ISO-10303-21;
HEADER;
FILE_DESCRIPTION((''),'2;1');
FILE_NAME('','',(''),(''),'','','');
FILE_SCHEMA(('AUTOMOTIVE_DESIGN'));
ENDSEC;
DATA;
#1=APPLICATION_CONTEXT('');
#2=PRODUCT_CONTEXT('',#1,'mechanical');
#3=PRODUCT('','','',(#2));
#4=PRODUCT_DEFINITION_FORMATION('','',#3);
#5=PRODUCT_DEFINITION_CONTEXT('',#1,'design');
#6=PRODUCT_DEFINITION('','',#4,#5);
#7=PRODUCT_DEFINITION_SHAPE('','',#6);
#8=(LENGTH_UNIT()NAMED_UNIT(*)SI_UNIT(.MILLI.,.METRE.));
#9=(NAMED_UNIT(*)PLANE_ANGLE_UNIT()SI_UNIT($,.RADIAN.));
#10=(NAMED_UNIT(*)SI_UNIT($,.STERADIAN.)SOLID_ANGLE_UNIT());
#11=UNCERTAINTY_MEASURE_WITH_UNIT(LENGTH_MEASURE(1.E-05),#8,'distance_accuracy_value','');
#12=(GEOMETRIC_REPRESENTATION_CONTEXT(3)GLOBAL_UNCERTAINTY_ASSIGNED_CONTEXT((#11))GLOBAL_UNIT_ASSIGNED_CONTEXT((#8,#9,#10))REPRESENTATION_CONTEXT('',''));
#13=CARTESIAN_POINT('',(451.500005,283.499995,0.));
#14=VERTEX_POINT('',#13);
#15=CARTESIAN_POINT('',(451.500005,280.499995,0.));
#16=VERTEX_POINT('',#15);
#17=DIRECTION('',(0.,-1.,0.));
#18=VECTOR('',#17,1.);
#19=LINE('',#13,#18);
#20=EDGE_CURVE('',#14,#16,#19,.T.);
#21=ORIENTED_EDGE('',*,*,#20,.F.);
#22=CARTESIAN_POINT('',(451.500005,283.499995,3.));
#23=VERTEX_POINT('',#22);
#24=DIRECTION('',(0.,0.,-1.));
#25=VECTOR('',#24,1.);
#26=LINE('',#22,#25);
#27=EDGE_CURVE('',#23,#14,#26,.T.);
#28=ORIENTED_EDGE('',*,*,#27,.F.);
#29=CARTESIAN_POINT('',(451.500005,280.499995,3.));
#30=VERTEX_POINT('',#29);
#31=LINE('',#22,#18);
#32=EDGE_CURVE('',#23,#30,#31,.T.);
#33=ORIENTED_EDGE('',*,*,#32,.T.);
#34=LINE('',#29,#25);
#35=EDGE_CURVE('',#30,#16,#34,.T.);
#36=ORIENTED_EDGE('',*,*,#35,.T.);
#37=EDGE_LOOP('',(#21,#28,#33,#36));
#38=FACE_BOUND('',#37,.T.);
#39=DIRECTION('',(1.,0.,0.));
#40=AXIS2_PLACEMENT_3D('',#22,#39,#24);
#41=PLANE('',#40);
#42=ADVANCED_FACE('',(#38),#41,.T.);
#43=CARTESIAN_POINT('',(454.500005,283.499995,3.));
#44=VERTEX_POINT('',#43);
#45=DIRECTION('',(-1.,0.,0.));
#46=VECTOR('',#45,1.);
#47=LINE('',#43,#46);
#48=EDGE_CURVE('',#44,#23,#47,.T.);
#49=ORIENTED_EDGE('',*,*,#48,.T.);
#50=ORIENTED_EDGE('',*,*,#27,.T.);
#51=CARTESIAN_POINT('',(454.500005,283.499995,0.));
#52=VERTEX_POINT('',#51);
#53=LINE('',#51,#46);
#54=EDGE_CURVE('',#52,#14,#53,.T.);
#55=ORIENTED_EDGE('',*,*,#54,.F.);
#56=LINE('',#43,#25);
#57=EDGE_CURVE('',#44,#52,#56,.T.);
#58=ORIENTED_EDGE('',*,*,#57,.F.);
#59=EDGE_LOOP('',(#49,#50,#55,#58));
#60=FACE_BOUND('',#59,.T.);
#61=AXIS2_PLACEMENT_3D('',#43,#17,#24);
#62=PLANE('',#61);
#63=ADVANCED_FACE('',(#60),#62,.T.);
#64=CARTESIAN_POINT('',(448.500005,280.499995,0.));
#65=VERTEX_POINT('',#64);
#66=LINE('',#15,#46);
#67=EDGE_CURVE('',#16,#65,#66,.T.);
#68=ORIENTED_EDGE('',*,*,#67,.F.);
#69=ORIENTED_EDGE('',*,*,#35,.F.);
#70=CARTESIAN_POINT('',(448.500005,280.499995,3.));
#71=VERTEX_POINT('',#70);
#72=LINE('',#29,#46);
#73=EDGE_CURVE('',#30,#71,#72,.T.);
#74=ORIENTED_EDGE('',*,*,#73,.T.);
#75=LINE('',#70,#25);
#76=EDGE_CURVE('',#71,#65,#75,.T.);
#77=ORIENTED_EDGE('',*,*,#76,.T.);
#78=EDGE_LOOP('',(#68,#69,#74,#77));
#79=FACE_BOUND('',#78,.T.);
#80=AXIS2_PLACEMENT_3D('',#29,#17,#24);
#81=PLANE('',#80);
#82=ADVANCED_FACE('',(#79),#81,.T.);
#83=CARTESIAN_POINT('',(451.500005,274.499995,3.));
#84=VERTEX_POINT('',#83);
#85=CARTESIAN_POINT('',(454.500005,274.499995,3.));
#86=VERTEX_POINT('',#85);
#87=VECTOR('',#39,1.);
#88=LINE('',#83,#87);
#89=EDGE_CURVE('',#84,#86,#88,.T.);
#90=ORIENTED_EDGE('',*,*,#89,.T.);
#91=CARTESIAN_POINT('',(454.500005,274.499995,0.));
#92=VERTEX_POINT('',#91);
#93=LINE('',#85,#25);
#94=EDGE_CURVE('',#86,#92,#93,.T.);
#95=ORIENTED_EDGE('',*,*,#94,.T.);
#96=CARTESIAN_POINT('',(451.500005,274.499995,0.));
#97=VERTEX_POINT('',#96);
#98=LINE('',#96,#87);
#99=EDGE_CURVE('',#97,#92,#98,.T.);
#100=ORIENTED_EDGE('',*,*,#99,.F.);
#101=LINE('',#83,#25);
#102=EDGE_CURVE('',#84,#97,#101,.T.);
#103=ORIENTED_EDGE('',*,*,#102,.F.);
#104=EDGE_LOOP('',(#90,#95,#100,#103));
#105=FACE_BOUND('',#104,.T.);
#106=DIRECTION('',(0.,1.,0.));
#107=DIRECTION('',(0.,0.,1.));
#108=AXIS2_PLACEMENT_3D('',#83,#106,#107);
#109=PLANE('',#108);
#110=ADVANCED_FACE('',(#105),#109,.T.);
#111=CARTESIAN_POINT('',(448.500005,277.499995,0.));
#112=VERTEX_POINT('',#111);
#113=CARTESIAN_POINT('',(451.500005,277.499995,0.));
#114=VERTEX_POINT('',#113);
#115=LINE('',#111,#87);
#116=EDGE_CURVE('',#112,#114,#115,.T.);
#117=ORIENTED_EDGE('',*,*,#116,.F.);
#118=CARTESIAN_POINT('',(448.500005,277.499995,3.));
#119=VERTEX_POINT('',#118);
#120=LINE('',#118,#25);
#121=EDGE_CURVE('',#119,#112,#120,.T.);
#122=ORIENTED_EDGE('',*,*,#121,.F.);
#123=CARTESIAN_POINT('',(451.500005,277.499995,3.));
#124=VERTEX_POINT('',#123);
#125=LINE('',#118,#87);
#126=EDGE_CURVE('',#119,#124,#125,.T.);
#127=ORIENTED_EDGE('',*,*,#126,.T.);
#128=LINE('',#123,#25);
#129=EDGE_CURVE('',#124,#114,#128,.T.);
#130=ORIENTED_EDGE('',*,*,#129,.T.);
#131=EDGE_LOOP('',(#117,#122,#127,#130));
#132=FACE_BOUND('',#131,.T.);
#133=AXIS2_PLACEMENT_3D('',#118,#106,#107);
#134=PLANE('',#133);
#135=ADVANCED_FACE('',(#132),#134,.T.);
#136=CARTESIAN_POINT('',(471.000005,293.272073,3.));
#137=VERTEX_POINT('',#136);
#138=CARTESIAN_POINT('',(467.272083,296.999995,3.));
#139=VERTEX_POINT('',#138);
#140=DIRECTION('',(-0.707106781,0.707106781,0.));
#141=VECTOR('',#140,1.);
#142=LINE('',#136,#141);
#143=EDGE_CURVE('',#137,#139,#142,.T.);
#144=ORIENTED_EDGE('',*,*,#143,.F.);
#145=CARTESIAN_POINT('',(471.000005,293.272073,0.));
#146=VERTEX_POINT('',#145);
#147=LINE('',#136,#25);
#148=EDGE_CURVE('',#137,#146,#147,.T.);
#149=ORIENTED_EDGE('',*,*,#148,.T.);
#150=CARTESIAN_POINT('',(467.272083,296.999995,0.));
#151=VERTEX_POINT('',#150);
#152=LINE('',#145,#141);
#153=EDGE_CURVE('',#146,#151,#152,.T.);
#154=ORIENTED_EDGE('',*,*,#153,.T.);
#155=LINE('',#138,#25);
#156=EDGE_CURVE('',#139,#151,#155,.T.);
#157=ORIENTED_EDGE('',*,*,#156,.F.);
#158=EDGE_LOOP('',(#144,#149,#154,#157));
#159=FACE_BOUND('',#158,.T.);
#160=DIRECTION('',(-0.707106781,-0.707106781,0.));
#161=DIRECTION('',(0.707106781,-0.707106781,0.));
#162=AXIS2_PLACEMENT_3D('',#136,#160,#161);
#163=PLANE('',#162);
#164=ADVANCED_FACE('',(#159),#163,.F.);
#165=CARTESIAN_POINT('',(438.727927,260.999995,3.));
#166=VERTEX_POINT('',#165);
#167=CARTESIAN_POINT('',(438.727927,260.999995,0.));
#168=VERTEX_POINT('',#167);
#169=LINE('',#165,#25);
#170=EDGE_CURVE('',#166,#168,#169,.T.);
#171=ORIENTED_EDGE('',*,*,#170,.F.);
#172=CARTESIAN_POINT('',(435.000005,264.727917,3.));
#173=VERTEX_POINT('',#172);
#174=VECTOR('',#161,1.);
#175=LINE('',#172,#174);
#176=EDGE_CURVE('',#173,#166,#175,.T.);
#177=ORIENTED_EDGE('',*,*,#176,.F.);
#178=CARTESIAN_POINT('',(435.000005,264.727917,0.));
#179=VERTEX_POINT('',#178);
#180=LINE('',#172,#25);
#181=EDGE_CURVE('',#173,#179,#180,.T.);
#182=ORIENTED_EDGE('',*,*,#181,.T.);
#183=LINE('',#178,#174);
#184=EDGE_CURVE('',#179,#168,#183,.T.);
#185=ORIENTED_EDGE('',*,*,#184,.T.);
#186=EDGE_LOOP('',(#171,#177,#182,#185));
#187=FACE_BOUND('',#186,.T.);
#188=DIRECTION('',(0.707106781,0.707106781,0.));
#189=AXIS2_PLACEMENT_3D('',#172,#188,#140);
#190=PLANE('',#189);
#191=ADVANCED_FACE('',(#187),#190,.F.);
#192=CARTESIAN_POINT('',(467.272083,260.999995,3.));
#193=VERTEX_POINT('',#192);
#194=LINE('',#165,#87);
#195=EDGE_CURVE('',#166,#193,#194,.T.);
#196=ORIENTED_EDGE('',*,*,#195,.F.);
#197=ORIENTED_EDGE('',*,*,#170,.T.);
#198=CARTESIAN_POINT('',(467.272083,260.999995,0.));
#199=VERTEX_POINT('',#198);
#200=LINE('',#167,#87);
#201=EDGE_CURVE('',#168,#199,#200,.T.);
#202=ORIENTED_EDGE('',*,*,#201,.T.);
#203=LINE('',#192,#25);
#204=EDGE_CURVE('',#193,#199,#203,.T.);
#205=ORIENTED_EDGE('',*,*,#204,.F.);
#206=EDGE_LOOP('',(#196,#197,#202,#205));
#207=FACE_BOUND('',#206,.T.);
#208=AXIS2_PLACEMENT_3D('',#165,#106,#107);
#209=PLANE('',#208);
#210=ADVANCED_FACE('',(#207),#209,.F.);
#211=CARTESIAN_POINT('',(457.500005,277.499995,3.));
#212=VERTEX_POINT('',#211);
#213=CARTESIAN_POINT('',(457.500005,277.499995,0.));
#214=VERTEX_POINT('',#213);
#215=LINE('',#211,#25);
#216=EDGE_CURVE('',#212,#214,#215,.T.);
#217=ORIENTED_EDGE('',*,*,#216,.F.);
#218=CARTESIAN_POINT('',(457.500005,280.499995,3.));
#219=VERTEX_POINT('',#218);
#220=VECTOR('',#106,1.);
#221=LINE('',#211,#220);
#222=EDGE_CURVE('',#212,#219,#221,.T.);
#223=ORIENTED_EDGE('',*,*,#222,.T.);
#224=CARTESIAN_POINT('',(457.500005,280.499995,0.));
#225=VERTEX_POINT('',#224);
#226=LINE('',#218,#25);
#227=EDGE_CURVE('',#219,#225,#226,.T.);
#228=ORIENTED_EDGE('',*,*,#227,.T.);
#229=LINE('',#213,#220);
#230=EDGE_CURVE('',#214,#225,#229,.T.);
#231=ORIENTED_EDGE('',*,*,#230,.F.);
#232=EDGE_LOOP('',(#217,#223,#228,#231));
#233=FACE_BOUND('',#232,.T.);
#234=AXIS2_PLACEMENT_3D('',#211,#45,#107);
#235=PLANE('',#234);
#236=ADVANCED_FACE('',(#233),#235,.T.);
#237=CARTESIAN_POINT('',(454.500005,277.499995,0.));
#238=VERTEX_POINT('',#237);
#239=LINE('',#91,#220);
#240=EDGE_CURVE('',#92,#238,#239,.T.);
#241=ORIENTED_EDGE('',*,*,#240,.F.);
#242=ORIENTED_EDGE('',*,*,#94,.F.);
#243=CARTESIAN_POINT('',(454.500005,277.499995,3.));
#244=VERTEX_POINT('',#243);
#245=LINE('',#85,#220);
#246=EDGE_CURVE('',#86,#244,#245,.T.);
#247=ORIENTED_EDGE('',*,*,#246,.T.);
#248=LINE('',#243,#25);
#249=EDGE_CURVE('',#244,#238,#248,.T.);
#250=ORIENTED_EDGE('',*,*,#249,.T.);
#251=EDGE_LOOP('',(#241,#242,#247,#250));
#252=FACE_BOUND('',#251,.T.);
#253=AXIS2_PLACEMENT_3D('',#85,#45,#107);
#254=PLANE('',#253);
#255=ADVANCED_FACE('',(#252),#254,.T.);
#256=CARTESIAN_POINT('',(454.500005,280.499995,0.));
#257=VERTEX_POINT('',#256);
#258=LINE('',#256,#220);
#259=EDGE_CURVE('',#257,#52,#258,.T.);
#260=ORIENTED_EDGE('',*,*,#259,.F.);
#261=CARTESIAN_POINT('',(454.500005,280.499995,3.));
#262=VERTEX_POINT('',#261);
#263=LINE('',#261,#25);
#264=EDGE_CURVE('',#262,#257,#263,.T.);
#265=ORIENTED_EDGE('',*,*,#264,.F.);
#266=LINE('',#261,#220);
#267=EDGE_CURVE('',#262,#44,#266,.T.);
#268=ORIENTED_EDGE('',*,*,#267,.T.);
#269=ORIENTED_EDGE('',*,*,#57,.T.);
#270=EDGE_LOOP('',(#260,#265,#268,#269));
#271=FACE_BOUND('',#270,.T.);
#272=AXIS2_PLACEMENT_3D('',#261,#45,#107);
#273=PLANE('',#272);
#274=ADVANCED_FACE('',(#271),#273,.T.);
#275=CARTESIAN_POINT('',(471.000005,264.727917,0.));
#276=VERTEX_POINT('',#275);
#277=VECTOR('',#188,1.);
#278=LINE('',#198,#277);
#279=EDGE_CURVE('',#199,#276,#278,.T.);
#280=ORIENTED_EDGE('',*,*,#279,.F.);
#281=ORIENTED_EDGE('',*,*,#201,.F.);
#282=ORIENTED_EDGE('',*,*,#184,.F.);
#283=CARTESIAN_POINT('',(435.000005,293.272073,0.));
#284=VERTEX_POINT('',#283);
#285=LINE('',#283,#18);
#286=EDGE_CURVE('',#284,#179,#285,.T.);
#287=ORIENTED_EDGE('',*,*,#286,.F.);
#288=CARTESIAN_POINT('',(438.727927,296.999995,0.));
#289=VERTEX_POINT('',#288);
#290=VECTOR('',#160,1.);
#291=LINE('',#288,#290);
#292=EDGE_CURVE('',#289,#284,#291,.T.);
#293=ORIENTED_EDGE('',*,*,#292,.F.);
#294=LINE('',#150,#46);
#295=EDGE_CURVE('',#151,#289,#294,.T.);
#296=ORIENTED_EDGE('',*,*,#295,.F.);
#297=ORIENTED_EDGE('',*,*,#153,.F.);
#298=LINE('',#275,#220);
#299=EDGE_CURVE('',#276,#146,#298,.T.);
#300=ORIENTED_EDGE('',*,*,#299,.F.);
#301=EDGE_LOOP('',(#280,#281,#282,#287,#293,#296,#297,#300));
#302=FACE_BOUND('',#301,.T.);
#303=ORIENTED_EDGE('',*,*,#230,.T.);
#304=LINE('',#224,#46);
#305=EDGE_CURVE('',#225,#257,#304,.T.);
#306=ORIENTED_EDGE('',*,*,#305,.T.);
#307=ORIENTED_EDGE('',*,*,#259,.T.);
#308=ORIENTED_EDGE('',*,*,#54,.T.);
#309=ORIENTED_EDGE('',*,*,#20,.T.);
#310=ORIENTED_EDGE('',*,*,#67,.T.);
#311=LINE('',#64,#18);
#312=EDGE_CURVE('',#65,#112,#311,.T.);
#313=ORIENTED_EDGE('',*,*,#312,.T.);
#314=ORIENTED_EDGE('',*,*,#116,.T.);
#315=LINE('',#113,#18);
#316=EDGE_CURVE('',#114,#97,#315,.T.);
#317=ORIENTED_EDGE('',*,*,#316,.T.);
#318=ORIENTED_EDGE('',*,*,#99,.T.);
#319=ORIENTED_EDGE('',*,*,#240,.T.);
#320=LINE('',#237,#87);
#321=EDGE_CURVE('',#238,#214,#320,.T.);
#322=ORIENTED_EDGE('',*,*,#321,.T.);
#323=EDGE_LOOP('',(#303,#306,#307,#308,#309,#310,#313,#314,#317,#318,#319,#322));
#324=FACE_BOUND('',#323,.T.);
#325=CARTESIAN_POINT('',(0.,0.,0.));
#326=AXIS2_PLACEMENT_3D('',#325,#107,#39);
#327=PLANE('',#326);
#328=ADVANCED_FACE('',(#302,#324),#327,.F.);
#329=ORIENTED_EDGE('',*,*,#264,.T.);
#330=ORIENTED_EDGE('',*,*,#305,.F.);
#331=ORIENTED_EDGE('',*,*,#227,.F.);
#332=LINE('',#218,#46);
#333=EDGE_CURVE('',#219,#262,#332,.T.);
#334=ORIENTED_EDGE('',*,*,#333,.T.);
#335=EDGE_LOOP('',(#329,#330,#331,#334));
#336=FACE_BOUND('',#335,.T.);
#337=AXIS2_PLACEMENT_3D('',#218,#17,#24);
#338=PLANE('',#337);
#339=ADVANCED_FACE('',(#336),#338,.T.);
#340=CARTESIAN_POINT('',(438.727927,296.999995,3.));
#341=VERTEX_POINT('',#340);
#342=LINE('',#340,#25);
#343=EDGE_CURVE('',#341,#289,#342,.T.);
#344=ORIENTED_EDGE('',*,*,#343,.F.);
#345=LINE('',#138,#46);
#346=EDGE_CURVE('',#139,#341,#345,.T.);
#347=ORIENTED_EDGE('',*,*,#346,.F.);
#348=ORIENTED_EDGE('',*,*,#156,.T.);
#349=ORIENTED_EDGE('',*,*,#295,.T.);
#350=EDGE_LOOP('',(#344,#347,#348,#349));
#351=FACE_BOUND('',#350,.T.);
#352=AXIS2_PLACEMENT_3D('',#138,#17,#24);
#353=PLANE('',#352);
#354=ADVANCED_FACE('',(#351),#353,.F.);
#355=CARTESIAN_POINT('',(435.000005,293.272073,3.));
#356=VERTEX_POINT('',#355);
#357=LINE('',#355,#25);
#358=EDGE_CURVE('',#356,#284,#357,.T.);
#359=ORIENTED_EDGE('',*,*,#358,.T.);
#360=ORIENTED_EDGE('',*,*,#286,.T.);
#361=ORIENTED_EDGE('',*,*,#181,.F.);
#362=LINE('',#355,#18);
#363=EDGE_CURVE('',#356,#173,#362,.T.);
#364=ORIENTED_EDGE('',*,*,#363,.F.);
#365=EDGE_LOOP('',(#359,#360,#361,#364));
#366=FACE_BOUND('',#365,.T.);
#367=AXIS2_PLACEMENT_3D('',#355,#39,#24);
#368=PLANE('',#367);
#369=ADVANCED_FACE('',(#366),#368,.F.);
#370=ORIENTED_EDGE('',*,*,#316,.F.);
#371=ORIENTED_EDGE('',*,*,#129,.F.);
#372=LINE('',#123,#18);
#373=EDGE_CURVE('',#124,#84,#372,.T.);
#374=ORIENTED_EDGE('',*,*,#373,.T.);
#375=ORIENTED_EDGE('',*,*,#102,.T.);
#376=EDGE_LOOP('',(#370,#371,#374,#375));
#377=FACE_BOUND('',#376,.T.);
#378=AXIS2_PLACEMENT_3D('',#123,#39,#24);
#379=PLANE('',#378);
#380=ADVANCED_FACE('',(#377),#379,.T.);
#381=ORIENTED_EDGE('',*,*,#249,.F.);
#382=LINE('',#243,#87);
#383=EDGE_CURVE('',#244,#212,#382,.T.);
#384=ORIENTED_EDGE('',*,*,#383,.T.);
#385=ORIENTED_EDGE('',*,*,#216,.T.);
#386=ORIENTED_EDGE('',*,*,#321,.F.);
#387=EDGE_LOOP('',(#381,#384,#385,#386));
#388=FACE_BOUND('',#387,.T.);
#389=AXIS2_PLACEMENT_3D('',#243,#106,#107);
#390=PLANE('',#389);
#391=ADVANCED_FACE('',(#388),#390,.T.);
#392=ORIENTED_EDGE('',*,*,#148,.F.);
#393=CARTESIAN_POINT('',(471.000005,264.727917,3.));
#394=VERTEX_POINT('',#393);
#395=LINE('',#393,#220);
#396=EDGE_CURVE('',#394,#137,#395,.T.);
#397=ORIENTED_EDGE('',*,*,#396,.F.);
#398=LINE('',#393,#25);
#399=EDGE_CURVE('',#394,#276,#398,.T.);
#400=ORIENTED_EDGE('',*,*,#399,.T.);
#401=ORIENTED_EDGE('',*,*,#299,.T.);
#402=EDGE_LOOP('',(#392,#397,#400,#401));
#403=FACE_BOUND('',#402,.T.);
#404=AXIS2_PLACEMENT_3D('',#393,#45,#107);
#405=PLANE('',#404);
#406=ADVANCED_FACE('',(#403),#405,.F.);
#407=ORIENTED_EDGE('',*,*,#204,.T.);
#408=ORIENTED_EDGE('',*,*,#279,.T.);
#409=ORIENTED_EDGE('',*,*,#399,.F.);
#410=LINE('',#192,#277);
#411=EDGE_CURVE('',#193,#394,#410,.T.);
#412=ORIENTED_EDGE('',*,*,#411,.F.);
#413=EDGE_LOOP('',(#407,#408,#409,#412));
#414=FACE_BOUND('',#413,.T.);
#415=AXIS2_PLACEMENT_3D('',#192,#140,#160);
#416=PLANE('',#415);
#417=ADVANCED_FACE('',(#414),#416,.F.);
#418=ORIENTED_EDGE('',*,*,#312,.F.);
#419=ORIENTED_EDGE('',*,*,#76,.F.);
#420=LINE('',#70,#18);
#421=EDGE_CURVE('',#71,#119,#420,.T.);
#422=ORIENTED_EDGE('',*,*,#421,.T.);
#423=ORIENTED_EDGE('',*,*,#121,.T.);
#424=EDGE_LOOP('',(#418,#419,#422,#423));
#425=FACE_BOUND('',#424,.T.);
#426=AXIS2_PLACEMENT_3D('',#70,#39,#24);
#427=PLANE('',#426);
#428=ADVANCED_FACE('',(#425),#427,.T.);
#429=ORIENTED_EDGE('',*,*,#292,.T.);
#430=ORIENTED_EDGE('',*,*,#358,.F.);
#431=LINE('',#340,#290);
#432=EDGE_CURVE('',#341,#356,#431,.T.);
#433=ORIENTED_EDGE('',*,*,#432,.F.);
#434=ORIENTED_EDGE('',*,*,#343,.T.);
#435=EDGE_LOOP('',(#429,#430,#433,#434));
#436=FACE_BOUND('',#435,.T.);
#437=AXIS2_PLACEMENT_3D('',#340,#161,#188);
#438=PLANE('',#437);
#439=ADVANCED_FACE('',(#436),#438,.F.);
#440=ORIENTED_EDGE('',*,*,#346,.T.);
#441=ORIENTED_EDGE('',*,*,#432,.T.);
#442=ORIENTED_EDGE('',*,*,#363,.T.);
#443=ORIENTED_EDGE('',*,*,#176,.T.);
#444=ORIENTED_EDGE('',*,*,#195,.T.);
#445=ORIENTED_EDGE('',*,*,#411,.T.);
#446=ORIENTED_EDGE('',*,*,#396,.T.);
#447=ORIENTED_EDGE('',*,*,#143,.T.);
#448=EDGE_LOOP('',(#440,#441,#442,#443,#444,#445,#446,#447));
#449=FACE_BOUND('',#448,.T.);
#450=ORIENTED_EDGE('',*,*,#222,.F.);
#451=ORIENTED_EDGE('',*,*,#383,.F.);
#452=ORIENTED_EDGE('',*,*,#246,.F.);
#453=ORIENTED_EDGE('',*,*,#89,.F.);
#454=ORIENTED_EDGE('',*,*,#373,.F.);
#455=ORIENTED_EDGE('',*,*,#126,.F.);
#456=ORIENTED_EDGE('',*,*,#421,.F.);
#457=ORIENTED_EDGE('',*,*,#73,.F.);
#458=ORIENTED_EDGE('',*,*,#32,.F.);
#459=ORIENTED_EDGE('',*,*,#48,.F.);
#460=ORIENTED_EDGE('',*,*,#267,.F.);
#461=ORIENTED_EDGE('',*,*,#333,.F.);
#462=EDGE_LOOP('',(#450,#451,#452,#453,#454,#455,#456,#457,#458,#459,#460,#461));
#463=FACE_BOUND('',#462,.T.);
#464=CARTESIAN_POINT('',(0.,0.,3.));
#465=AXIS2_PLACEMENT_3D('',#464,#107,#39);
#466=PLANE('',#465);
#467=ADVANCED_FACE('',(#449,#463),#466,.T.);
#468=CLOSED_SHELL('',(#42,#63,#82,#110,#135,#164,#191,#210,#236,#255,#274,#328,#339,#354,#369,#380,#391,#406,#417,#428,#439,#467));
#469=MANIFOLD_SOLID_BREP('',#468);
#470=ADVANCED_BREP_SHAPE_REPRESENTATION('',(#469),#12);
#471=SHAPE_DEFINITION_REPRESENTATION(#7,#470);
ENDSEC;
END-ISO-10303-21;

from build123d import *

# Parameters (mm, degrees)
BOSS_EXTRUDE1_DEPTH = 3


with BuildPart() as part:
    # Sketch1 → Boss-Extrude1 (new body)
    with BuildSketch(Plane.XY):
        Polygon((471.00000486, 293.272073149), (467.272082799, 296.99999521), (438.727926921, 296.99999521), (435.00000486, 293.272073149), (435.00000486, 264.727917272), (438.727926921, 260.99999521), (467.272082799, 260.99999521), (471.00000486, 264.727917272), align=None)
        Polygon((454.50000486, 274.49999521), (454.50000486, 277.49999521), (457.50000486, 277.49999521), (457.50000486, 280.49999521), (454.50000486, 280.49999521), (454.50000486, 283.49999521), (451.50000486, 283.49999521), (451.50000486, 280.49999521), (448.50000486, 280.49999521), (448.50000486, 277.49999521), (451.50000486, 277.49999521), (451.50000486, 274.49999521), align=None, mode=Mode.SUBTRACT)
    extrude(amount=BOSS_EXTRUDE1_DEPTH)


solid = part.part
